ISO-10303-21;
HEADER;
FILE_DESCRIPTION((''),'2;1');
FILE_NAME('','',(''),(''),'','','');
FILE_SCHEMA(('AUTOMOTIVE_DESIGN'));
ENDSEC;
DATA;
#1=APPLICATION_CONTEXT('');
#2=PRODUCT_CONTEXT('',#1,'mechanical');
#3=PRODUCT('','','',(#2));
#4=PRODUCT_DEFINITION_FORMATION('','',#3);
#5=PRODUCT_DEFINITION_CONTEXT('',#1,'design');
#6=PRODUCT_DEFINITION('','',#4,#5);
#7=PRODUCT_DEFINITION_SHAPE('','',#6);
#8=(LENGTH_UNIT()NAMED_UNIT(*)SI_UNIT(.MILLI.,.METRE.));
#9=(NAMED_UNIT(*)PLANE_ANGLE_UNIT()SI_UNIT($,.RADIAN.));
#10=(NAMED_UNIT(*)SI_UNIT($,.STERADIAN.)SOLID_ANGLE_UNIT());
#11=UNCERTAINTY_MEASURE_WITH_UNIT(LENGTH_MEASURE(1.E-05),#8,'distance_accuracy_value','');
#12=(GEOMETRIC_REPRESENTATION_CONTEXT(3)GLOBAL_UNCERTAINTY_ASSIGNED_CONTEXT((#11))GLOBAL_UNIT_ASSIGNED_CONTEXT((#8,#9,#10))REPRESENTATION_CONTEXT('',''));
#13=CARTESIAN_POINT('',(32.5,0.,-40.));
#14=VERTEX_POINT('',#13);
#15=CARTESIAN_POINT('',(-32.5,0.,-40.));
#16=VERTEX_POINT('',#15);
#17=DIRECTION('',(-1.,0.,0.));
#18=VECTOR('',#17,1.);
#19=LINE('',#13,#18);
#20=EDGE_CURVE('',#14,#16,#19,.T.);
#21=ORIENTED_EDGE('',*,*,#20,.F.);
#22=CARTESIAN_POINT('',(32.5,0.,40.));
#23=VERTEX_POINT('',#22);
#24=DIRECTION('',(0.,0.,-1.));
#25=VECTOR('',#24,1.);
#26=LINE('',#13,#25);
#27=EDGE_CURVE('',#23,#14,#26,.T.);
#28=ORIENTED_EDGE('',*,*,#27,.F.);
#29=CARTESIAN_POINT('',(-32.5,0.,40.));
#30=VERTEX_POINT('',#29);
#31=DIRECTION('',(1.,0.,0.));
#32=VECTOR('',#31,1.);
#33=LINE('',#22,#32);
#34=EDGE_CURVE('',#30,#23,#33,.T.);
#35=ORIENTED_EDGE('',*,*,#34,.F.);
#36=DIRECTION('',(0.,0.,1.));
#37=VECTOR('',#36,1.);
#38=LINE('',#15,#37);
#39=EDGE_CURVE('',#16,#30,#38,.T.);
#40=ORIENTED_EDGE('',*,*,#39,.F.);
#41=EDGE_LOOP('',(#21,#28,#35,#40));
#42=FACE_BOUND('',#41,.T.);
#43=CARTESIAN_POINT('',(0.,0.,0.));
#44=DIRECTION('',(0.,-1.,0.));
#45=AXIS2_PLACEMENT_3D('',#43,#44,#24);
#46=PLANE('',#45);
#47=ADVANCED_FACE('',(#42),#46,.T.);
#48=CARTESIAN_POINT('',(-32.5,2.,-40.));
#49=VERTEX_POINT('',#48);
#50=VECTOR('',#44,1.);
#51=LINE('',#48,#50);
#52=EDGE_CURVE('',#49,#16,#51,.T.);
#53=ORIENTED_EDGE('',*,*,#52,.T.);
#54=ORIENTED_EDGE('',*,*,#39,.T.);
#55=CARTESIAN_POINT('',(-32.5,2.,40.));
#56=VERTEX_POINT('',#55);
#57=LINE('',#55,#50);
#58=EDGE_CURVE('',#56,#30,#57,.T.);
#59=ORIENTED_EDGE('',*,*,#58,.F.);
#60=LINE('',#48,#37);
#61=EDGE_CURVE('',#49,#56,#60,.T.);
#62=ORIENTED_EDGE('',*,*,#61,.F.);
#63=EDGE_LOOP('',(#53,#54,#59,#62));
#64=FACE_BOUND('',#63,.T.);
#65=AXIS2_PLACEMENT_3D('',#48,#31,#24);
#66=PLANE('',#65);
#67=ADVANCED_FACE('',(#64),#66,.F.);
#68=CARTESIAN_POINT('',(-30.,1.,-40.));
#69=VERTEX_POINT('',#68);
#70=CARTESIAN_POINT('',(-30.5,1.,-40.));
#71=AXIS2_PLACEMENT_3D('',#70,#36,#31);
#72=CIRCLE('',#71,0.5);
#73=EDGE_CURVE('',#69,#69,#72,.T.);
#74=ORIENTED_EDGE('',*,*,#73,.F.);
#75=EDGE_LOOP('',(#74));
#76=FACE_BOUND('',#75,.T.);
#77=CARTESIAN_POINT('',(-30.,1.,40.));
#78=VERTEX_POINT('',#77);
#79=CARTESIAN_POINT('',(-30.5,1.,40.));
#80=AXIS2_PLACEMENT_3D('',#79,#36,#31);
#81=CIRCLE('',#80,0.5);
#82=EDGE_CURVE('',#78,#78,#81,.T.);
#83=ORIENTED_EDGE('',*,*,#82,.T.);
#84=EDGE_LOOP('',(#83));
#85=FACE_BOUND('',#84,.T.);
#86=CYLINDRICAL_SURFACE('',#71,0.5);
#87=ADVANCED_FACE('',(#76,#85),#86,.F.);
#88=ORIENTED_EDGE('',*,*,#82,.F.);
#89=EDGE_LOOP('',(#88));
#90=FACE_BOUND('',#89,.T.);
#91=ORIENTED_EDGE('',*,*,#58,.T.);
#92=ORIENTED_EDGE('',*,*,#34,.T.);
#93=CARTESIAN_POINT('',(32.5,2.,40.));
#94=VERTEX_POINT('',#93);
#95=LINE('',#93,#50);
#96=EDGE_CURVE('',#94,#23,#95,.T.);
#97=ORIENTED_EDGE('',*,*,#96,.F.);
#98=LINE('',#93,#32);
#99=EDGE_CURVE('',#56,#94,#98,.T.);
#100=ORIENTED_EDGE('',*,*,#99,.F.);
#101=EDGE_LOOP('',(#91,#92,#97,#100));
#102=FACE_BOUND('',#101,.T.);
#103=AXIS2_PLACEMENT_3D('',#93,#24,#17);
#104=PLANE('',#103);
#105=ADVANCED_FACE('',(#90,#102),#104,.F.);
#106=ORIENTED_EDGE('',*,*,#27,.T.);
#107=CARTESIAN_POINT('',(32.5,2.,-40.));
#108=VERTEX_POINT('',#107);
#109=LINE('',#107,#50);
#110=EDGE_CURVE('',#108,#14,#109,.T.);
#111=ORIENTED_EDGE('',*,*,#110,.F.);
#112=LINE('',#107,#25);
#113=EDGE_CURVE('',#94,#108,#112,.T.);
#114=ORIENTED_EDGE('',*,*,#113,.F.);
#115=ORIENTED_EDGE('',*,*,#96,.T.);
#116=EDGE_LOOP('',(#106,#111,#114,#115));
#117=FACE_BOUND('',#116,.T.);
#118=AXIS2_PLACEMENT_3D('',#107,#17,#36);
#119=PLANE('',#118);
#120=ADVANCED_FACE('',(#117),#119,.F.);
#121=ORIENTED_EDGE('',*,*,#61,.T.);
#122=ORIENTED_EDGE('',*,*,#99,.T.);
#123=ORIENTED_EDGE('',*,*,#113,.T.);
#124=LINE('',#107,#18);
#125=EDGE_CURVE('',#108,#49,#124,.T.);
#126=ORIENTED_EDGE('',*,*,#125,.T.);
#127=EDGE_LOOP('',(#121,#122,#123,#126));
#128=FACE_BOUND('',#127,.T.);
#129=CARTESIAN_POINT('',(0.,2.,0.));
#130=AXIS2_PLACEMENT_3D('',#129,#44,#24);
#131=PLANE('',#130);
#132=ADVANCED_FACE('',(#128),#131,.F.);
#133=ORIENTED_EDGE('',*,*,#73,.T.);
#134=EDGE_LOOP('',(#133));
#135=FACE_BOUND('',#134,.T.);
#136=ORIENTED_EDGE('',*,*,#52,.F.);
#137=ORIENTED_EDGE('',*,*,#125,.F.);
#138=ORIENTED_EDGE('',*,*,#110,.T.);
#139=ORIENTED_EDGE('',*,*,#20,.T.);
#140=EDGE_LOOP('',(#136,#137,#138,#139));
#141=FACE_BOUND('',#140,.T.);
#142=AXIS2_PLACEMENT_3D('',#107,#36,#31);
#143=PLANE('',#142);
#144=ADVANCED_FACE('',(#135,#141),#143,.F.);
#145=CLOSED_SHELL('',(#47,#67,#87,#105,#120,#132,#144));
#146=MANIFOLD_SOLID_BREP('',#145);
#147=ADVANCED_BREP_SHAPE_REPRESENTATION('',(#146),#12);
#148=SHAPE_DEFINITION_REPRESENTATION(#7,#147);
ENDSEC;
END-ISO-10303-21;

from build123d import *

# Parameters (mm, degrees)
SKETCH1_W           = 65
SKETCH1_H           = 80
BOSS_EXTRUDE1_DEPTH = 2
SKETCH2_R           = 0.5
CUT_EXTRUDE1_DEPTH  = 87.372738755


with BuildPart() as part:
    # Sketch1 → Boss-Extrude1 (new body)
    with BuildSketch(Plane(origin=(0, 0, 0), x_dir=(1, 0, 0), z_dir=(0, 1, 0))):
        Rectangle(SKETCH1_W, SKETCH1_H)
    extrude(amount=BOSS_EXTRUDE1_DEPTH)

    # Sketch2 → Cut-Extrude1 (cut, through all)
    with BuildSketch(Plane.XY.offset(40)):
        with Locations((-30.5, 1)):
            Circle(SKETCH2_R)
    extrude(amount=-CUT_EXTRUDE1_DEPTH, mode=Mode.SUBTRACT)


solid = part.part
